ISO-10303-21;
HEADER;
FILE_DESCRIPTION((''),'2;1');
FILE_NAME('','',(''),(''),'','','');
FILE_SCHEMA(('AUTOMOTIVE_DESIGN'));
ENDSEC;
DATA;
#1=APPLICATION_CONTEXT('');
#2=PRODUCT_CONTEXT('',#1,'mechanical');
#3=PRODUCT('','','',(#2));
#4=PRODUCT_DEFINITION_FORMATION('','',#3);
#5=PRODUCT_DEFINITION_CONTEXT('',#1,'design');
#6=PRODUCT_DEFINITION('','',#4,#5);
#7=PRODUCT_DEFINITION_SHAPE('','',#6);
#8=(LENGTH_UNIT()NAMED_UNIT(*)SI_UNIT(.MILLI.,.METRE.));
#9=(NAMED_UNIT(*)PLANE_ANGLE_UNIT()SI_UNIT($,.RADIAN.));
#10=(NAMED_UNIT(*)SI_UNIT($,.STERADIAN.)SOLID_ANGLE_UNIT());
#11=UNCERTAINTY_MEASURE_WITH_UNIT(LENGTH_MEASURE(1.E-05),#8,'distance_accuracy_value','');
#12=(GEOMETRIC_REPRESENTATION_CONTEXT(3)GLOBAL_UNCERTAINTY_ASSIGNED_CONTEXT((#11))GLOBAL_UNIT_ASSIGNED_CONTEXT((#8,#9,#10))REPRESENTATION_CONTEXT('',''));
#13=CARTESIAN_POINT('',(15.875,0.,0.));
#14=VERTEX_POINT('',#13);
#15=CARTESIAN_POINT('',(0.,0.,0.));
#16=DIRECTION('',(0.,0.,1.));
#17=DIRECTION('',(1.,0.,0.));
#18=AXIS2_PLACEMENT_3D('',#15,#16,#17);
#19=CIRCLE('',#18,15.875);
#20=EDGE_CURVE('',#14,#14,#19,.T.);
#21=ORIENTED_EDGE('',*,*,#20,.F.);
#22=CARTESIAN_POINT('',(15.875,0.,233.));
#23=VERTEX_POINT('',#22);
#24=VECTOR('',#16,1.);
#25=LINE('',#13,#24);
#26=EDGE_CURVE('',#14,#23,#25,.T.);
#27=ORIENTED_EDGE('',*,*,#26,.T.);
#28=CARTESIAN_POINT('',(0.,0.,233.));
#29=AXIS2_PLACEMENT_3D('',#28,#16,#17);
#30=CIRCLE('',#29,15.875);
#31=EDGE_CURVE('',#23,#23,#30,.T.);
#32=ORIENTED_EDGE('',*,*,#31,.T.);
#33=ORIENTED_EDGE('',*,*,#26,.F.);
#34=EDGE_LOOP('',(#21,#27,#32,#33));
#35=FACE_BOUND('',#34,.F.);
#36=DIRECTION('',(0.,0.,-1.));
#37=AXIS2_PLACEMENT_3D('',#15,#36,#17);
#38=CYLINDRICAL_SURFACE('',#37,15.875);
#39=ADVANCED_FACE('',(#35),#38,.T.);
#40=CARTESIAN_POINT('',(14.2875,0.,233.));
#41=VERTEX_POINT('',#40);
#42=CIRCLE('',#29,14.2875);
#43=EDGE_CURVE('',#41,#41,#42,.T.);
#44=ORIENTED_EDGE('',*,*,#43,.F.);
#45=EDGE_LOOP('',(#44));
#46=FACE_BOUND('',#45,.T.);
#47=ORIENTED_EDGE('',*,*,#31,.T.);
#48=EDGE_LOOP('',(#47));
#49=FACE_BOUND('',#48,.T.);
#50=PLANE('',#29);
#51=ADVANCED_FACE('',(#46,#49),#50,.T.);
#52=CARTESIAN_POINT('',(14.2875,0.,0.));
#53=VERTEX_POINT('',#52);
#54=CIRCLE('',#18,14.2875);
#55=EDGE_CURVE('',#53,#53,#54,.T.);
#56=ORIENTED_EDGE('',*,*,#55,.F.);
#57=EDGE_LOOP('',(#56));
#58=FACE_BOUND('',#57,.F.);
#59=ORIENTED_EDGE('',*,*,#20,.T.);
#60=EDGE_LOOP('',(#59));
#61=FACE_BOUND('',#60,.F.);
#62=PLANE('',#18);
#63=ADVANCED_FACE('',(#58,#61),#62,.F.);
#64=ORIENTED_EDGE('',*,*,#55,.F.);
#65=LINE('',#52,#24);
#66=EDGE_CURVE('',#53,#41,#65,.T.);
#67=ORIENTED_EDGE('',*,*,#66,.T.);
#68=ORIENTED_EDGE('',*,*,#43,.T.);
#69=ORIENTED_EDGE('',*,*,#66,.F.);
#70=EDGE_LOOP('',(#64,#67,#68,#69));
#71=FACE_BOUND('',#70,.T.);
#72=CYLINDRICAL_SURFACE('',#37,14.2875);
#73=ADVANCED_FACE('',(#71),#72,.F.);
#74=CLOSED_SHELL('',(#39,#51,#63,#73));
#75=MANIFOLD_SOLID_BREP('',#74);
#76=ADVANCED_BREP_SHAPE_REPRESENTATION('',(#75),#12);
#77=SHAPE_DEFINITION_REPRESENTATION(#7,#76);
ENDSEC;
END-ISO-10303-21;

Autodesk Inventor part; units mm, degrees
ref_plane "YZ Plane" through (0, 0, 0) normal (1, 0, 0) x (0, 1, 0)
ref_plane "XZ Plane" through (0, 0, 0) normal (0, 1, 0) x (-1, 0, 0)
ref_plane "XY Plane" through (0, 0, 0) normal (0, 0, 1) x (1, 0, 0)
sketch "Sketch1" plane through (0, 0, 0) normal (0, 0, 1) x (1, 0, 0)
  circle A0 centre (0, 0) radius 15.875
  circle A1 centre (0, 0) radius 14.2875
  dimension "d0" = 31.75
  dimension "d1" = 28.575
extrude "Extrusion1" add sketch "Sketch1" along normal blind 233
properties part number "BatteryTube"
